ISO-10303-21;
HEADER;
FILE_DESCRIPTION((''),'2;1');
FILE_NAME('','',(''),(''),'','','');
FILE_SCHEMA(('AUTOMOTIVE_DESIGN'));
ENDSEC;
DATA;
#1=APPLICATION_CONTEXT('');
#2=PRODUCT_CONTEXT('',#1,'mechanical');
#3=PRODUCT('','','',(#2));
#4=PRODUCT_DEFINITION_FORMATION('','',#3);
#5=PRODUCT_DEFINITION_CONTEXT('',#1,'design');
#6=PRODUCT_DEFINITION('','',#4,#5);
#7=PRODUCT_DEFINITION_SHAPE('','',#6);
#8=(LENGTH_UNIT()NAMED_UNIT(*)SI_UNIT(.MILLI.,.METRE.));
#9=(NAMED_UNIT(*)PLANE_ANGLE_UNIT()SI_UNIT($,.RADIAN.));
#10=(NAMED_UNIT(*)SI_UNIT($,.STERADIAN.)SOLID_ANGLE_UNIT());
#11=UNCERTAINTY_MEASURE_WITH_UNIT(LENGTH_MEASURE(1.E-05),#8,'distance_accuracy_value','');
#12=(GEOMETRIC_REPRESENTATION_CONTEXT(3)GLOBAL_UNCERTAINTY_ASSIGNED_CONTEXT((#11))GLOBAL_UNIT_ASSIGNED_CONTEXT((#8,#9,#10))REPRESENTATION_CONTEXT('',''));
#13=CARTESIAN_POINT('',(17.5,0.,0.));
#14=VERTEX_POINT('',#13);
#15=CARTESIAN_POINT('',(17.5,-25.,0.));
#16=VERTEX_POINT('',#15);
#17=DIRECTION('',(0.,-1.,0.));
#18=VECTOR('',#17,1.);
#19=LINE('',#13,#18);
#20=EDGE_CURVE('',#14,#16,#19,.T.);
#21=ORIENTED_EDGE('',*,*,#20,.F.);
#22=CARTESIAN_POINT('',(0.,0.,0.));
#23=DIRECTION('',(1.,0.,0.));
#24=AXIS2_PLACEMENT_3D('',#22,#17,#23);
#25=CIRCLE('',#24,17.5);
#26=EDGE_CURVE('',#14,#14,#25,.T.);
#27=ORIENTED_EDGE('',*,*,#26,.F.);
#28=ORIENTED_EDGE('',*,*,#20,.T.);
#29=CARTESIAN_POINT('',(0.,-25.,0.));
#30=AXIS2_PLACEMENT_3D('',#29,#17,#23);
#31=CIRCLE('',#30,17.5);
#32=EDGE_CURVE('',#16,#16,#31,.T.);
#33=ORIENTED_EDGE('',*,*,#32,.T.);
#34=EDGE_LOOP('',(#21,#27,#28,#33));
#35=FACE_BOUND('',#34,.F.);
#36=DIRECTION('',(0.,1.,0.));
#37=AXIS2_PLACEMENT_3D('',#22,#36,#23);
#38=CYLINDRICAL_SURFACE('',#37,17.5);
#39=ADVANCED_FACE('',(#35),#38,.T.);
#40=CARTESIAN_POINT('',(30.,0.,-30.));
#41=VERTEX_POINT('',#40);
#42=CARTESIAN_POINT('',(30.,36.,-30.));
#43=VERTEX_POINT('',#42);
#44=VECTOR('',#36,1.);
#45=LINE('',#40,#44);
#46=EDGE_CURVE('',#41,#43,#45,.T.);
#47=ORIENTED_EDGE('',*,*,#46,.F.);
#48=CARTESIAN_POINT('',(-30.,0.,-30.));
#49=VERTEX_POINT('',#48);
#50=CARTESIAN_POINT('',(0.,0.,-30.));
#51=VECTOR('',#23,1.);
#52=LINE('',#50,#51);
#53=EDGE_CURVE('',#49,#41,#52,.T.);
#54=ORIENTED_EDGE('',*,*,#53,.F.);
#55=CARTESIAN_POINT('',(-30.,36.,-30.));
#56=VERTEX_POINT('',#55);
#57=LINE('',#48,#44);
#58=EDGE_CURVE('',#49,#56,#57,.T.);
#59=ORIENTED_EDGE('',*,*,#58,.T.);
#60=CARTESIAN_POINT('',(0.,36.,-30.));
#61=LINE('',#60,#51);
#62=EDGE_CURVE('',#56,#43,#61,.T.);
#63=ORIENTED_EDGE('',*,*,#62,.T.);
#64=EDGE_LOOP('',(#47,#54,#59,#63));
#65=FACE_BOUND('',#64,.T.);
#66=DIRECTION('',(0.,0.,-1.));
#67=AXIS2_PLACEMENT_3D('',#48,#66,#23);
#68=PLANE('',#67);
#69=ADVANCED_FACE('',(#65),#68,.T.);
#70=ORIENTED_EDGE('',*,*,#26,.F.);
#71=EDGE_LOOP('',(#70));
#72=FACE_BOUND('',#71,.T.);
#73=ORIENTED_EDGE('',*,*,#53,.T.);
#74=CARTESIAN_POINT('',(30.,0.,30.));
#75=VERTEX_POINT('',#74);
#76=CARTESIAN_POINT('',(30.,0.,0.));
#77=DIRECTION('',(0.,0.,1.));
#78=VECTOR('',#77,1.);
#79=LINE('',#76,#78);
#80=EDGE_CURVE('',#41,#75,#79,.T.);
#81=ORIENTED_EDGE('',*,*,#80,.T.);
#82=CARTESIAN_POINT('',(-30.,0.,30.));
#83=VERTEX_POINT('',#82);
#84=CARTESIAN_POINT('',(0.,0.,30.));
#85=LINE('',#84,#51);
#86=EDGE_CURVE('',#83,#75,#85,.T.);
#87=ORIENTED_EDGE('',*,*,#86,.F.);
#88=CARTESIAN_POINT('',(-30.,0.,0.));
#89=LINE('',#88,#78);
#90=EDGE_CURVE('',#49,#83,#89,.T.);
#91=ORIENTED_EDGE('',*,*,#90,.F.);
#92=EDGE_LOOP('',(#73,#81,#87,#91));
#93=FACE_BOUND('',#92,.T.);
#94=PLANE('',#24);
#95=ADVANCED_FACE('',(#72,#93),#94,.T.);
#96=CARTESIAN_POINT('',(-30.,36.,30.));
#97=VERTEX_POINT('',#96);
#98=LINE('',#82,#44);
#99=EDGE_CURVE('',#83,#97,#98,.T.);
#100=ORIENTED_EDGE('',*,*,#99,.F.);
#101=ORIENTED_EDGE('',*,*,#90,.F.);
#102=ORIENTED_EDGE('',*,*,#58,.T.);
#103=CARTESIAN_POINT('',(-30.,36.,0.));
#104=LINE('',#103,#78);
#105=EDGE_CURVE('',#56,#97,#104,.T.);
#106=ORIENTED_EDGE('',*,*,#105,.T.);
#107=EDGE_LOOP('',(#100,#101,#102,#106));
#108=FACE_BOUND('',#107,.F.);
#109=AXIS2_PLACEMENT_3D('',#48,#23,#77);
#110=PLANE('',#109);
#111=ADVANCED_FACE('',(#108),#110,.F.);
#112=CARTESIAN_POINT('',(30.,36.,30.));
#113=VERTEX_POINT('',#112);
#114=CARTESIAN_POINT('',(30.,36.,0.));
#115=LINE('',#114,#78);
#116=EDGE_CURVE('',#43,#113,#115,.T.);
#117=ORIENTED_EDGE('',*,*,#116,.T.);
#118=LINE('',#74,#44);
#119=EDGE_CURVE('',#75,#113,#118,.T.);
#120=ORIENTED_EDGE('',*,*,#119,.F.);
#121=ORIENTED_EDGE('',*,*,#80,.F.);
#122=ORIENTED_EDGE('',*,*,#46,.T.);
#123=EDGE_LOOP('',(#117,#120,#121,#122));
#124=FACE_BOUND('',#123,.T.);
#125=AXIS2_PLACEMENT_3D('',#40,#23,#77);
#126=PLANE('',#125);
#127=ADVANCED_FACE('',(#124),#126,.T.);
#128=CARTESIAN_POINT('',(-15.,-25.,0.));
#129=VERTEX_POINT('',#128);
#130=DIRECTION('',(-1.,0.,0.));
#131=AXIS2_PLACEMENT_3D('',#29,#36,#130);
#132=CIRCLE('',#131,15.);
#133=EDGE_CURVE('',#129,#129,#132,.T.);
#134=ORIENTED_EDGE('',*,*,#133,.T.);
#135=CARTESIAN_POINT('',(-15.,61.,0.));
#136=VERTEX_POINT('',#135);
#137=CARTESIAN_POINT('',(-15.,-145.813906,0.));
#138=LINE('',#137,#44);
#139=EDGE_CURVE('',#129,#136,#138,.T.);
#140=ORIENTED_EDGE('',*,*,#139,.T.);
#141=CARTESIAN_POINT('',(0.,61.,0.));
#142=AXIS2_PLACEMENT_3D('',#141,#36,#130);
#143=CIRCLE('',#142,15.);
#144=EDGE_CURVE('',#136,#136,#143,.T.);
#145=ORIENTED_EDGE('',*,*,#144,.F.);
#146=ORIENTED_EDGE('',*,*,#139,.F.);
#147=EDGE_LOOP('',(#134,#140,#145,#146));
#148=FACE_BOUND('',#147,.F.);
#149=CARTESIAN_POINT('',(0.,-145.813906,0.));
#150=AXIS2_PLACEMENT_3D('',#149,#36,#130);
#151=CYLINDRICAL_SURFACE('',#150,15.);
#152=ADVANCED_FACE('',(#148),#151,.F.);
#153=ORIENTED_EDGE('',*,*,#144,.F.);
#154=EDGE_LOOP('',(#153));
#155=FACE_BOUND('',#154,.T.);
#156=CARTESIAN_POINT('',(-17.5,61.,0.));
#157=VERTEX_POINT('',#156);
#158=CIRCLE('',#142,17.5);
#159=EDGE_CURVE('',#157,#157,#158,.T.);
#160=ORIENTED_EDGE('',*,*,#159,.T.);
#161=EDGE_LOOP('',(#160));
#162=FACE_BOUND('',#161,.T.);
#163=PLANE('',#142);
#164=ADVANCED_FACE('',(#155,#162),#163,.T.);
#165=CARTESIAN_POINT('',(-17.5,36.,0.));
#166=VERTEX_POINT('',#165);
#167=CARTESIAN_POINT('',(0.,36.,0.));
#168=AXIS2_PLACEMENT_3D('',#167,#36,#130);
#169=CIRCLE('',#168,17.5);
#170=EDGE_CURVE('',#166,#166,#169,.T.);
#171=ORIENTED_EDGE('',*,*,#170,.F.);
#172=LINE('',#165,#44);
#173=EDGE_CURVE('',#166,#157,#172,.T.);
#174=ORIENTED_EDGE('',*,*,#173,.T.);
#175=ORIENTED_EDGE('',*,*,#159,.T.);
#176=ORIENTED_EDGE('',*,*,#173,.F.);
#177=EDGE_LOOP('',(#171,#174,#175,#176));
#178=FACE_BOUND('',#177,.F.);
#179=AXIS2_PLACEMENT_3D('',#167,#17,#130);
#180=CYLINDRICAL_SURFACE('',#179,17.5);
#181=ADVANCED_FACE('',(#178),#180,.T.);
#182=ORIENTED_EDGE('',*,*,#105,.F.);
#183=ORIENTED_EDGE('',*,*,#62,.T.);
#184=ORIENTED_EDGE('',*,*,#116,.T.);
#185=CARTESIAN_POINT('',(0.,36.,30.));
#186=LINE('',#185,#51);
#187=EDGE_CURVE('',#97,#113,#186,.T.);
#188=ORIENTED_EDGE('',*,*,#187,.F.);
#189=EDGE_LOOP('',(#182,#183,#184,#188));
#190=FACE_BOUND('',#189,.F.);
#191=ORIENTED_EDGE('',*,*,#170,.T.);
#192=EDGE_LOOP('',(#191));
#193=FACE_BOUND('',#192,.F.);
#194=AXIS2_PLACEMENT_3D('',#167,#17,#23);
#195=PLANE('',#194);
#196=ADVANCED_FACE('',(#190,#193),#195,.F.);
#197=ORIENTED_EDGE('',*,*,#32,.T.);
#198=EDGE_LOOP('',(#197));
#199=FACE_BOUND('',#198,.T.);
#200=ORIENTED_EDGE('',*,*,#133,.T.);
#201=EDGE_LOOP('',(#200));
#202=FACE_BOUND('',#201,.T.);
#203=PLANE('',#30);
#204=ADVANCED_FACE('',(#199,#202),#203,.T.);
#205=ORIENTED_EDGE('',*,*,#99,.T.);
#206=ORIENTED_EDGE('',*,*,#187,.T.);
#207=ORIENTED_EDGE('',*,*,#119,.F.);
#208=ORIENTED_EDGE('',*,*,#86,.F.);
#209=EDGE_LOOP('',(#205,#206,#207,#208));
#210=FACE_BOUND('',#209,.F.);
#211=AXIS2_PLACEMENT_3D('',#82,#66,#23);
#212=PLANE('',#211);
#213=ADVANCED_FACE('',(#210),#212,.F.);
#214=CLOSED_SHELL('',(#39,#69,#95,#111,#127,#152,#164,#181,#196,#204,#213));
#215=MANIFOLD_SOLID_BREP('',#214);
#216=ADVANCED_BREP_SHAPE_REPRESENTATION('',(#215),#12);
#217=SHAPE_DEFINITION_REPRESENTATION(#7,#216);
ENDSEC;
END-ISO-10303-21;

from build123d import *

# Parameters (mm, degrees)
F0_W     = 60
F0_H     = 60
F1_DEPTH = 36
F2_R     = 17.5
F3_DEPTH = 25
F4_R     = 17.5
F5_DEPTH = 25
F7_D     = 30


with BuildPart() as f1:
    # F0 (on Front) → F1 (new body)
    with BuildSketch(Plane.XZ):
        Rectangle(F0_W, F0_H)
    extrude(amount=-F1_DEPTH)

    # F2 (on face) → F3 (join)
    with BuildSketch(Plane.XZ):
        Circle(F2_R)
    extrude(amount=F3_DEPTH)

    # F4 (on face) → F5 (join)
    with BuildSketch(Plane(origin=(0, 36, 0), x_dir=(-1, 0, 0), z_dir=(0, 1, 0))):
        Circle(F4_R)
    extrude(amount=F5_DEPTH)

    # F7 (through all)
    with Locations(Plane.XZ.offset(25)):
        with Locations((0, 0)):
            Hole(F7_D / 2)


solid = f1.part
